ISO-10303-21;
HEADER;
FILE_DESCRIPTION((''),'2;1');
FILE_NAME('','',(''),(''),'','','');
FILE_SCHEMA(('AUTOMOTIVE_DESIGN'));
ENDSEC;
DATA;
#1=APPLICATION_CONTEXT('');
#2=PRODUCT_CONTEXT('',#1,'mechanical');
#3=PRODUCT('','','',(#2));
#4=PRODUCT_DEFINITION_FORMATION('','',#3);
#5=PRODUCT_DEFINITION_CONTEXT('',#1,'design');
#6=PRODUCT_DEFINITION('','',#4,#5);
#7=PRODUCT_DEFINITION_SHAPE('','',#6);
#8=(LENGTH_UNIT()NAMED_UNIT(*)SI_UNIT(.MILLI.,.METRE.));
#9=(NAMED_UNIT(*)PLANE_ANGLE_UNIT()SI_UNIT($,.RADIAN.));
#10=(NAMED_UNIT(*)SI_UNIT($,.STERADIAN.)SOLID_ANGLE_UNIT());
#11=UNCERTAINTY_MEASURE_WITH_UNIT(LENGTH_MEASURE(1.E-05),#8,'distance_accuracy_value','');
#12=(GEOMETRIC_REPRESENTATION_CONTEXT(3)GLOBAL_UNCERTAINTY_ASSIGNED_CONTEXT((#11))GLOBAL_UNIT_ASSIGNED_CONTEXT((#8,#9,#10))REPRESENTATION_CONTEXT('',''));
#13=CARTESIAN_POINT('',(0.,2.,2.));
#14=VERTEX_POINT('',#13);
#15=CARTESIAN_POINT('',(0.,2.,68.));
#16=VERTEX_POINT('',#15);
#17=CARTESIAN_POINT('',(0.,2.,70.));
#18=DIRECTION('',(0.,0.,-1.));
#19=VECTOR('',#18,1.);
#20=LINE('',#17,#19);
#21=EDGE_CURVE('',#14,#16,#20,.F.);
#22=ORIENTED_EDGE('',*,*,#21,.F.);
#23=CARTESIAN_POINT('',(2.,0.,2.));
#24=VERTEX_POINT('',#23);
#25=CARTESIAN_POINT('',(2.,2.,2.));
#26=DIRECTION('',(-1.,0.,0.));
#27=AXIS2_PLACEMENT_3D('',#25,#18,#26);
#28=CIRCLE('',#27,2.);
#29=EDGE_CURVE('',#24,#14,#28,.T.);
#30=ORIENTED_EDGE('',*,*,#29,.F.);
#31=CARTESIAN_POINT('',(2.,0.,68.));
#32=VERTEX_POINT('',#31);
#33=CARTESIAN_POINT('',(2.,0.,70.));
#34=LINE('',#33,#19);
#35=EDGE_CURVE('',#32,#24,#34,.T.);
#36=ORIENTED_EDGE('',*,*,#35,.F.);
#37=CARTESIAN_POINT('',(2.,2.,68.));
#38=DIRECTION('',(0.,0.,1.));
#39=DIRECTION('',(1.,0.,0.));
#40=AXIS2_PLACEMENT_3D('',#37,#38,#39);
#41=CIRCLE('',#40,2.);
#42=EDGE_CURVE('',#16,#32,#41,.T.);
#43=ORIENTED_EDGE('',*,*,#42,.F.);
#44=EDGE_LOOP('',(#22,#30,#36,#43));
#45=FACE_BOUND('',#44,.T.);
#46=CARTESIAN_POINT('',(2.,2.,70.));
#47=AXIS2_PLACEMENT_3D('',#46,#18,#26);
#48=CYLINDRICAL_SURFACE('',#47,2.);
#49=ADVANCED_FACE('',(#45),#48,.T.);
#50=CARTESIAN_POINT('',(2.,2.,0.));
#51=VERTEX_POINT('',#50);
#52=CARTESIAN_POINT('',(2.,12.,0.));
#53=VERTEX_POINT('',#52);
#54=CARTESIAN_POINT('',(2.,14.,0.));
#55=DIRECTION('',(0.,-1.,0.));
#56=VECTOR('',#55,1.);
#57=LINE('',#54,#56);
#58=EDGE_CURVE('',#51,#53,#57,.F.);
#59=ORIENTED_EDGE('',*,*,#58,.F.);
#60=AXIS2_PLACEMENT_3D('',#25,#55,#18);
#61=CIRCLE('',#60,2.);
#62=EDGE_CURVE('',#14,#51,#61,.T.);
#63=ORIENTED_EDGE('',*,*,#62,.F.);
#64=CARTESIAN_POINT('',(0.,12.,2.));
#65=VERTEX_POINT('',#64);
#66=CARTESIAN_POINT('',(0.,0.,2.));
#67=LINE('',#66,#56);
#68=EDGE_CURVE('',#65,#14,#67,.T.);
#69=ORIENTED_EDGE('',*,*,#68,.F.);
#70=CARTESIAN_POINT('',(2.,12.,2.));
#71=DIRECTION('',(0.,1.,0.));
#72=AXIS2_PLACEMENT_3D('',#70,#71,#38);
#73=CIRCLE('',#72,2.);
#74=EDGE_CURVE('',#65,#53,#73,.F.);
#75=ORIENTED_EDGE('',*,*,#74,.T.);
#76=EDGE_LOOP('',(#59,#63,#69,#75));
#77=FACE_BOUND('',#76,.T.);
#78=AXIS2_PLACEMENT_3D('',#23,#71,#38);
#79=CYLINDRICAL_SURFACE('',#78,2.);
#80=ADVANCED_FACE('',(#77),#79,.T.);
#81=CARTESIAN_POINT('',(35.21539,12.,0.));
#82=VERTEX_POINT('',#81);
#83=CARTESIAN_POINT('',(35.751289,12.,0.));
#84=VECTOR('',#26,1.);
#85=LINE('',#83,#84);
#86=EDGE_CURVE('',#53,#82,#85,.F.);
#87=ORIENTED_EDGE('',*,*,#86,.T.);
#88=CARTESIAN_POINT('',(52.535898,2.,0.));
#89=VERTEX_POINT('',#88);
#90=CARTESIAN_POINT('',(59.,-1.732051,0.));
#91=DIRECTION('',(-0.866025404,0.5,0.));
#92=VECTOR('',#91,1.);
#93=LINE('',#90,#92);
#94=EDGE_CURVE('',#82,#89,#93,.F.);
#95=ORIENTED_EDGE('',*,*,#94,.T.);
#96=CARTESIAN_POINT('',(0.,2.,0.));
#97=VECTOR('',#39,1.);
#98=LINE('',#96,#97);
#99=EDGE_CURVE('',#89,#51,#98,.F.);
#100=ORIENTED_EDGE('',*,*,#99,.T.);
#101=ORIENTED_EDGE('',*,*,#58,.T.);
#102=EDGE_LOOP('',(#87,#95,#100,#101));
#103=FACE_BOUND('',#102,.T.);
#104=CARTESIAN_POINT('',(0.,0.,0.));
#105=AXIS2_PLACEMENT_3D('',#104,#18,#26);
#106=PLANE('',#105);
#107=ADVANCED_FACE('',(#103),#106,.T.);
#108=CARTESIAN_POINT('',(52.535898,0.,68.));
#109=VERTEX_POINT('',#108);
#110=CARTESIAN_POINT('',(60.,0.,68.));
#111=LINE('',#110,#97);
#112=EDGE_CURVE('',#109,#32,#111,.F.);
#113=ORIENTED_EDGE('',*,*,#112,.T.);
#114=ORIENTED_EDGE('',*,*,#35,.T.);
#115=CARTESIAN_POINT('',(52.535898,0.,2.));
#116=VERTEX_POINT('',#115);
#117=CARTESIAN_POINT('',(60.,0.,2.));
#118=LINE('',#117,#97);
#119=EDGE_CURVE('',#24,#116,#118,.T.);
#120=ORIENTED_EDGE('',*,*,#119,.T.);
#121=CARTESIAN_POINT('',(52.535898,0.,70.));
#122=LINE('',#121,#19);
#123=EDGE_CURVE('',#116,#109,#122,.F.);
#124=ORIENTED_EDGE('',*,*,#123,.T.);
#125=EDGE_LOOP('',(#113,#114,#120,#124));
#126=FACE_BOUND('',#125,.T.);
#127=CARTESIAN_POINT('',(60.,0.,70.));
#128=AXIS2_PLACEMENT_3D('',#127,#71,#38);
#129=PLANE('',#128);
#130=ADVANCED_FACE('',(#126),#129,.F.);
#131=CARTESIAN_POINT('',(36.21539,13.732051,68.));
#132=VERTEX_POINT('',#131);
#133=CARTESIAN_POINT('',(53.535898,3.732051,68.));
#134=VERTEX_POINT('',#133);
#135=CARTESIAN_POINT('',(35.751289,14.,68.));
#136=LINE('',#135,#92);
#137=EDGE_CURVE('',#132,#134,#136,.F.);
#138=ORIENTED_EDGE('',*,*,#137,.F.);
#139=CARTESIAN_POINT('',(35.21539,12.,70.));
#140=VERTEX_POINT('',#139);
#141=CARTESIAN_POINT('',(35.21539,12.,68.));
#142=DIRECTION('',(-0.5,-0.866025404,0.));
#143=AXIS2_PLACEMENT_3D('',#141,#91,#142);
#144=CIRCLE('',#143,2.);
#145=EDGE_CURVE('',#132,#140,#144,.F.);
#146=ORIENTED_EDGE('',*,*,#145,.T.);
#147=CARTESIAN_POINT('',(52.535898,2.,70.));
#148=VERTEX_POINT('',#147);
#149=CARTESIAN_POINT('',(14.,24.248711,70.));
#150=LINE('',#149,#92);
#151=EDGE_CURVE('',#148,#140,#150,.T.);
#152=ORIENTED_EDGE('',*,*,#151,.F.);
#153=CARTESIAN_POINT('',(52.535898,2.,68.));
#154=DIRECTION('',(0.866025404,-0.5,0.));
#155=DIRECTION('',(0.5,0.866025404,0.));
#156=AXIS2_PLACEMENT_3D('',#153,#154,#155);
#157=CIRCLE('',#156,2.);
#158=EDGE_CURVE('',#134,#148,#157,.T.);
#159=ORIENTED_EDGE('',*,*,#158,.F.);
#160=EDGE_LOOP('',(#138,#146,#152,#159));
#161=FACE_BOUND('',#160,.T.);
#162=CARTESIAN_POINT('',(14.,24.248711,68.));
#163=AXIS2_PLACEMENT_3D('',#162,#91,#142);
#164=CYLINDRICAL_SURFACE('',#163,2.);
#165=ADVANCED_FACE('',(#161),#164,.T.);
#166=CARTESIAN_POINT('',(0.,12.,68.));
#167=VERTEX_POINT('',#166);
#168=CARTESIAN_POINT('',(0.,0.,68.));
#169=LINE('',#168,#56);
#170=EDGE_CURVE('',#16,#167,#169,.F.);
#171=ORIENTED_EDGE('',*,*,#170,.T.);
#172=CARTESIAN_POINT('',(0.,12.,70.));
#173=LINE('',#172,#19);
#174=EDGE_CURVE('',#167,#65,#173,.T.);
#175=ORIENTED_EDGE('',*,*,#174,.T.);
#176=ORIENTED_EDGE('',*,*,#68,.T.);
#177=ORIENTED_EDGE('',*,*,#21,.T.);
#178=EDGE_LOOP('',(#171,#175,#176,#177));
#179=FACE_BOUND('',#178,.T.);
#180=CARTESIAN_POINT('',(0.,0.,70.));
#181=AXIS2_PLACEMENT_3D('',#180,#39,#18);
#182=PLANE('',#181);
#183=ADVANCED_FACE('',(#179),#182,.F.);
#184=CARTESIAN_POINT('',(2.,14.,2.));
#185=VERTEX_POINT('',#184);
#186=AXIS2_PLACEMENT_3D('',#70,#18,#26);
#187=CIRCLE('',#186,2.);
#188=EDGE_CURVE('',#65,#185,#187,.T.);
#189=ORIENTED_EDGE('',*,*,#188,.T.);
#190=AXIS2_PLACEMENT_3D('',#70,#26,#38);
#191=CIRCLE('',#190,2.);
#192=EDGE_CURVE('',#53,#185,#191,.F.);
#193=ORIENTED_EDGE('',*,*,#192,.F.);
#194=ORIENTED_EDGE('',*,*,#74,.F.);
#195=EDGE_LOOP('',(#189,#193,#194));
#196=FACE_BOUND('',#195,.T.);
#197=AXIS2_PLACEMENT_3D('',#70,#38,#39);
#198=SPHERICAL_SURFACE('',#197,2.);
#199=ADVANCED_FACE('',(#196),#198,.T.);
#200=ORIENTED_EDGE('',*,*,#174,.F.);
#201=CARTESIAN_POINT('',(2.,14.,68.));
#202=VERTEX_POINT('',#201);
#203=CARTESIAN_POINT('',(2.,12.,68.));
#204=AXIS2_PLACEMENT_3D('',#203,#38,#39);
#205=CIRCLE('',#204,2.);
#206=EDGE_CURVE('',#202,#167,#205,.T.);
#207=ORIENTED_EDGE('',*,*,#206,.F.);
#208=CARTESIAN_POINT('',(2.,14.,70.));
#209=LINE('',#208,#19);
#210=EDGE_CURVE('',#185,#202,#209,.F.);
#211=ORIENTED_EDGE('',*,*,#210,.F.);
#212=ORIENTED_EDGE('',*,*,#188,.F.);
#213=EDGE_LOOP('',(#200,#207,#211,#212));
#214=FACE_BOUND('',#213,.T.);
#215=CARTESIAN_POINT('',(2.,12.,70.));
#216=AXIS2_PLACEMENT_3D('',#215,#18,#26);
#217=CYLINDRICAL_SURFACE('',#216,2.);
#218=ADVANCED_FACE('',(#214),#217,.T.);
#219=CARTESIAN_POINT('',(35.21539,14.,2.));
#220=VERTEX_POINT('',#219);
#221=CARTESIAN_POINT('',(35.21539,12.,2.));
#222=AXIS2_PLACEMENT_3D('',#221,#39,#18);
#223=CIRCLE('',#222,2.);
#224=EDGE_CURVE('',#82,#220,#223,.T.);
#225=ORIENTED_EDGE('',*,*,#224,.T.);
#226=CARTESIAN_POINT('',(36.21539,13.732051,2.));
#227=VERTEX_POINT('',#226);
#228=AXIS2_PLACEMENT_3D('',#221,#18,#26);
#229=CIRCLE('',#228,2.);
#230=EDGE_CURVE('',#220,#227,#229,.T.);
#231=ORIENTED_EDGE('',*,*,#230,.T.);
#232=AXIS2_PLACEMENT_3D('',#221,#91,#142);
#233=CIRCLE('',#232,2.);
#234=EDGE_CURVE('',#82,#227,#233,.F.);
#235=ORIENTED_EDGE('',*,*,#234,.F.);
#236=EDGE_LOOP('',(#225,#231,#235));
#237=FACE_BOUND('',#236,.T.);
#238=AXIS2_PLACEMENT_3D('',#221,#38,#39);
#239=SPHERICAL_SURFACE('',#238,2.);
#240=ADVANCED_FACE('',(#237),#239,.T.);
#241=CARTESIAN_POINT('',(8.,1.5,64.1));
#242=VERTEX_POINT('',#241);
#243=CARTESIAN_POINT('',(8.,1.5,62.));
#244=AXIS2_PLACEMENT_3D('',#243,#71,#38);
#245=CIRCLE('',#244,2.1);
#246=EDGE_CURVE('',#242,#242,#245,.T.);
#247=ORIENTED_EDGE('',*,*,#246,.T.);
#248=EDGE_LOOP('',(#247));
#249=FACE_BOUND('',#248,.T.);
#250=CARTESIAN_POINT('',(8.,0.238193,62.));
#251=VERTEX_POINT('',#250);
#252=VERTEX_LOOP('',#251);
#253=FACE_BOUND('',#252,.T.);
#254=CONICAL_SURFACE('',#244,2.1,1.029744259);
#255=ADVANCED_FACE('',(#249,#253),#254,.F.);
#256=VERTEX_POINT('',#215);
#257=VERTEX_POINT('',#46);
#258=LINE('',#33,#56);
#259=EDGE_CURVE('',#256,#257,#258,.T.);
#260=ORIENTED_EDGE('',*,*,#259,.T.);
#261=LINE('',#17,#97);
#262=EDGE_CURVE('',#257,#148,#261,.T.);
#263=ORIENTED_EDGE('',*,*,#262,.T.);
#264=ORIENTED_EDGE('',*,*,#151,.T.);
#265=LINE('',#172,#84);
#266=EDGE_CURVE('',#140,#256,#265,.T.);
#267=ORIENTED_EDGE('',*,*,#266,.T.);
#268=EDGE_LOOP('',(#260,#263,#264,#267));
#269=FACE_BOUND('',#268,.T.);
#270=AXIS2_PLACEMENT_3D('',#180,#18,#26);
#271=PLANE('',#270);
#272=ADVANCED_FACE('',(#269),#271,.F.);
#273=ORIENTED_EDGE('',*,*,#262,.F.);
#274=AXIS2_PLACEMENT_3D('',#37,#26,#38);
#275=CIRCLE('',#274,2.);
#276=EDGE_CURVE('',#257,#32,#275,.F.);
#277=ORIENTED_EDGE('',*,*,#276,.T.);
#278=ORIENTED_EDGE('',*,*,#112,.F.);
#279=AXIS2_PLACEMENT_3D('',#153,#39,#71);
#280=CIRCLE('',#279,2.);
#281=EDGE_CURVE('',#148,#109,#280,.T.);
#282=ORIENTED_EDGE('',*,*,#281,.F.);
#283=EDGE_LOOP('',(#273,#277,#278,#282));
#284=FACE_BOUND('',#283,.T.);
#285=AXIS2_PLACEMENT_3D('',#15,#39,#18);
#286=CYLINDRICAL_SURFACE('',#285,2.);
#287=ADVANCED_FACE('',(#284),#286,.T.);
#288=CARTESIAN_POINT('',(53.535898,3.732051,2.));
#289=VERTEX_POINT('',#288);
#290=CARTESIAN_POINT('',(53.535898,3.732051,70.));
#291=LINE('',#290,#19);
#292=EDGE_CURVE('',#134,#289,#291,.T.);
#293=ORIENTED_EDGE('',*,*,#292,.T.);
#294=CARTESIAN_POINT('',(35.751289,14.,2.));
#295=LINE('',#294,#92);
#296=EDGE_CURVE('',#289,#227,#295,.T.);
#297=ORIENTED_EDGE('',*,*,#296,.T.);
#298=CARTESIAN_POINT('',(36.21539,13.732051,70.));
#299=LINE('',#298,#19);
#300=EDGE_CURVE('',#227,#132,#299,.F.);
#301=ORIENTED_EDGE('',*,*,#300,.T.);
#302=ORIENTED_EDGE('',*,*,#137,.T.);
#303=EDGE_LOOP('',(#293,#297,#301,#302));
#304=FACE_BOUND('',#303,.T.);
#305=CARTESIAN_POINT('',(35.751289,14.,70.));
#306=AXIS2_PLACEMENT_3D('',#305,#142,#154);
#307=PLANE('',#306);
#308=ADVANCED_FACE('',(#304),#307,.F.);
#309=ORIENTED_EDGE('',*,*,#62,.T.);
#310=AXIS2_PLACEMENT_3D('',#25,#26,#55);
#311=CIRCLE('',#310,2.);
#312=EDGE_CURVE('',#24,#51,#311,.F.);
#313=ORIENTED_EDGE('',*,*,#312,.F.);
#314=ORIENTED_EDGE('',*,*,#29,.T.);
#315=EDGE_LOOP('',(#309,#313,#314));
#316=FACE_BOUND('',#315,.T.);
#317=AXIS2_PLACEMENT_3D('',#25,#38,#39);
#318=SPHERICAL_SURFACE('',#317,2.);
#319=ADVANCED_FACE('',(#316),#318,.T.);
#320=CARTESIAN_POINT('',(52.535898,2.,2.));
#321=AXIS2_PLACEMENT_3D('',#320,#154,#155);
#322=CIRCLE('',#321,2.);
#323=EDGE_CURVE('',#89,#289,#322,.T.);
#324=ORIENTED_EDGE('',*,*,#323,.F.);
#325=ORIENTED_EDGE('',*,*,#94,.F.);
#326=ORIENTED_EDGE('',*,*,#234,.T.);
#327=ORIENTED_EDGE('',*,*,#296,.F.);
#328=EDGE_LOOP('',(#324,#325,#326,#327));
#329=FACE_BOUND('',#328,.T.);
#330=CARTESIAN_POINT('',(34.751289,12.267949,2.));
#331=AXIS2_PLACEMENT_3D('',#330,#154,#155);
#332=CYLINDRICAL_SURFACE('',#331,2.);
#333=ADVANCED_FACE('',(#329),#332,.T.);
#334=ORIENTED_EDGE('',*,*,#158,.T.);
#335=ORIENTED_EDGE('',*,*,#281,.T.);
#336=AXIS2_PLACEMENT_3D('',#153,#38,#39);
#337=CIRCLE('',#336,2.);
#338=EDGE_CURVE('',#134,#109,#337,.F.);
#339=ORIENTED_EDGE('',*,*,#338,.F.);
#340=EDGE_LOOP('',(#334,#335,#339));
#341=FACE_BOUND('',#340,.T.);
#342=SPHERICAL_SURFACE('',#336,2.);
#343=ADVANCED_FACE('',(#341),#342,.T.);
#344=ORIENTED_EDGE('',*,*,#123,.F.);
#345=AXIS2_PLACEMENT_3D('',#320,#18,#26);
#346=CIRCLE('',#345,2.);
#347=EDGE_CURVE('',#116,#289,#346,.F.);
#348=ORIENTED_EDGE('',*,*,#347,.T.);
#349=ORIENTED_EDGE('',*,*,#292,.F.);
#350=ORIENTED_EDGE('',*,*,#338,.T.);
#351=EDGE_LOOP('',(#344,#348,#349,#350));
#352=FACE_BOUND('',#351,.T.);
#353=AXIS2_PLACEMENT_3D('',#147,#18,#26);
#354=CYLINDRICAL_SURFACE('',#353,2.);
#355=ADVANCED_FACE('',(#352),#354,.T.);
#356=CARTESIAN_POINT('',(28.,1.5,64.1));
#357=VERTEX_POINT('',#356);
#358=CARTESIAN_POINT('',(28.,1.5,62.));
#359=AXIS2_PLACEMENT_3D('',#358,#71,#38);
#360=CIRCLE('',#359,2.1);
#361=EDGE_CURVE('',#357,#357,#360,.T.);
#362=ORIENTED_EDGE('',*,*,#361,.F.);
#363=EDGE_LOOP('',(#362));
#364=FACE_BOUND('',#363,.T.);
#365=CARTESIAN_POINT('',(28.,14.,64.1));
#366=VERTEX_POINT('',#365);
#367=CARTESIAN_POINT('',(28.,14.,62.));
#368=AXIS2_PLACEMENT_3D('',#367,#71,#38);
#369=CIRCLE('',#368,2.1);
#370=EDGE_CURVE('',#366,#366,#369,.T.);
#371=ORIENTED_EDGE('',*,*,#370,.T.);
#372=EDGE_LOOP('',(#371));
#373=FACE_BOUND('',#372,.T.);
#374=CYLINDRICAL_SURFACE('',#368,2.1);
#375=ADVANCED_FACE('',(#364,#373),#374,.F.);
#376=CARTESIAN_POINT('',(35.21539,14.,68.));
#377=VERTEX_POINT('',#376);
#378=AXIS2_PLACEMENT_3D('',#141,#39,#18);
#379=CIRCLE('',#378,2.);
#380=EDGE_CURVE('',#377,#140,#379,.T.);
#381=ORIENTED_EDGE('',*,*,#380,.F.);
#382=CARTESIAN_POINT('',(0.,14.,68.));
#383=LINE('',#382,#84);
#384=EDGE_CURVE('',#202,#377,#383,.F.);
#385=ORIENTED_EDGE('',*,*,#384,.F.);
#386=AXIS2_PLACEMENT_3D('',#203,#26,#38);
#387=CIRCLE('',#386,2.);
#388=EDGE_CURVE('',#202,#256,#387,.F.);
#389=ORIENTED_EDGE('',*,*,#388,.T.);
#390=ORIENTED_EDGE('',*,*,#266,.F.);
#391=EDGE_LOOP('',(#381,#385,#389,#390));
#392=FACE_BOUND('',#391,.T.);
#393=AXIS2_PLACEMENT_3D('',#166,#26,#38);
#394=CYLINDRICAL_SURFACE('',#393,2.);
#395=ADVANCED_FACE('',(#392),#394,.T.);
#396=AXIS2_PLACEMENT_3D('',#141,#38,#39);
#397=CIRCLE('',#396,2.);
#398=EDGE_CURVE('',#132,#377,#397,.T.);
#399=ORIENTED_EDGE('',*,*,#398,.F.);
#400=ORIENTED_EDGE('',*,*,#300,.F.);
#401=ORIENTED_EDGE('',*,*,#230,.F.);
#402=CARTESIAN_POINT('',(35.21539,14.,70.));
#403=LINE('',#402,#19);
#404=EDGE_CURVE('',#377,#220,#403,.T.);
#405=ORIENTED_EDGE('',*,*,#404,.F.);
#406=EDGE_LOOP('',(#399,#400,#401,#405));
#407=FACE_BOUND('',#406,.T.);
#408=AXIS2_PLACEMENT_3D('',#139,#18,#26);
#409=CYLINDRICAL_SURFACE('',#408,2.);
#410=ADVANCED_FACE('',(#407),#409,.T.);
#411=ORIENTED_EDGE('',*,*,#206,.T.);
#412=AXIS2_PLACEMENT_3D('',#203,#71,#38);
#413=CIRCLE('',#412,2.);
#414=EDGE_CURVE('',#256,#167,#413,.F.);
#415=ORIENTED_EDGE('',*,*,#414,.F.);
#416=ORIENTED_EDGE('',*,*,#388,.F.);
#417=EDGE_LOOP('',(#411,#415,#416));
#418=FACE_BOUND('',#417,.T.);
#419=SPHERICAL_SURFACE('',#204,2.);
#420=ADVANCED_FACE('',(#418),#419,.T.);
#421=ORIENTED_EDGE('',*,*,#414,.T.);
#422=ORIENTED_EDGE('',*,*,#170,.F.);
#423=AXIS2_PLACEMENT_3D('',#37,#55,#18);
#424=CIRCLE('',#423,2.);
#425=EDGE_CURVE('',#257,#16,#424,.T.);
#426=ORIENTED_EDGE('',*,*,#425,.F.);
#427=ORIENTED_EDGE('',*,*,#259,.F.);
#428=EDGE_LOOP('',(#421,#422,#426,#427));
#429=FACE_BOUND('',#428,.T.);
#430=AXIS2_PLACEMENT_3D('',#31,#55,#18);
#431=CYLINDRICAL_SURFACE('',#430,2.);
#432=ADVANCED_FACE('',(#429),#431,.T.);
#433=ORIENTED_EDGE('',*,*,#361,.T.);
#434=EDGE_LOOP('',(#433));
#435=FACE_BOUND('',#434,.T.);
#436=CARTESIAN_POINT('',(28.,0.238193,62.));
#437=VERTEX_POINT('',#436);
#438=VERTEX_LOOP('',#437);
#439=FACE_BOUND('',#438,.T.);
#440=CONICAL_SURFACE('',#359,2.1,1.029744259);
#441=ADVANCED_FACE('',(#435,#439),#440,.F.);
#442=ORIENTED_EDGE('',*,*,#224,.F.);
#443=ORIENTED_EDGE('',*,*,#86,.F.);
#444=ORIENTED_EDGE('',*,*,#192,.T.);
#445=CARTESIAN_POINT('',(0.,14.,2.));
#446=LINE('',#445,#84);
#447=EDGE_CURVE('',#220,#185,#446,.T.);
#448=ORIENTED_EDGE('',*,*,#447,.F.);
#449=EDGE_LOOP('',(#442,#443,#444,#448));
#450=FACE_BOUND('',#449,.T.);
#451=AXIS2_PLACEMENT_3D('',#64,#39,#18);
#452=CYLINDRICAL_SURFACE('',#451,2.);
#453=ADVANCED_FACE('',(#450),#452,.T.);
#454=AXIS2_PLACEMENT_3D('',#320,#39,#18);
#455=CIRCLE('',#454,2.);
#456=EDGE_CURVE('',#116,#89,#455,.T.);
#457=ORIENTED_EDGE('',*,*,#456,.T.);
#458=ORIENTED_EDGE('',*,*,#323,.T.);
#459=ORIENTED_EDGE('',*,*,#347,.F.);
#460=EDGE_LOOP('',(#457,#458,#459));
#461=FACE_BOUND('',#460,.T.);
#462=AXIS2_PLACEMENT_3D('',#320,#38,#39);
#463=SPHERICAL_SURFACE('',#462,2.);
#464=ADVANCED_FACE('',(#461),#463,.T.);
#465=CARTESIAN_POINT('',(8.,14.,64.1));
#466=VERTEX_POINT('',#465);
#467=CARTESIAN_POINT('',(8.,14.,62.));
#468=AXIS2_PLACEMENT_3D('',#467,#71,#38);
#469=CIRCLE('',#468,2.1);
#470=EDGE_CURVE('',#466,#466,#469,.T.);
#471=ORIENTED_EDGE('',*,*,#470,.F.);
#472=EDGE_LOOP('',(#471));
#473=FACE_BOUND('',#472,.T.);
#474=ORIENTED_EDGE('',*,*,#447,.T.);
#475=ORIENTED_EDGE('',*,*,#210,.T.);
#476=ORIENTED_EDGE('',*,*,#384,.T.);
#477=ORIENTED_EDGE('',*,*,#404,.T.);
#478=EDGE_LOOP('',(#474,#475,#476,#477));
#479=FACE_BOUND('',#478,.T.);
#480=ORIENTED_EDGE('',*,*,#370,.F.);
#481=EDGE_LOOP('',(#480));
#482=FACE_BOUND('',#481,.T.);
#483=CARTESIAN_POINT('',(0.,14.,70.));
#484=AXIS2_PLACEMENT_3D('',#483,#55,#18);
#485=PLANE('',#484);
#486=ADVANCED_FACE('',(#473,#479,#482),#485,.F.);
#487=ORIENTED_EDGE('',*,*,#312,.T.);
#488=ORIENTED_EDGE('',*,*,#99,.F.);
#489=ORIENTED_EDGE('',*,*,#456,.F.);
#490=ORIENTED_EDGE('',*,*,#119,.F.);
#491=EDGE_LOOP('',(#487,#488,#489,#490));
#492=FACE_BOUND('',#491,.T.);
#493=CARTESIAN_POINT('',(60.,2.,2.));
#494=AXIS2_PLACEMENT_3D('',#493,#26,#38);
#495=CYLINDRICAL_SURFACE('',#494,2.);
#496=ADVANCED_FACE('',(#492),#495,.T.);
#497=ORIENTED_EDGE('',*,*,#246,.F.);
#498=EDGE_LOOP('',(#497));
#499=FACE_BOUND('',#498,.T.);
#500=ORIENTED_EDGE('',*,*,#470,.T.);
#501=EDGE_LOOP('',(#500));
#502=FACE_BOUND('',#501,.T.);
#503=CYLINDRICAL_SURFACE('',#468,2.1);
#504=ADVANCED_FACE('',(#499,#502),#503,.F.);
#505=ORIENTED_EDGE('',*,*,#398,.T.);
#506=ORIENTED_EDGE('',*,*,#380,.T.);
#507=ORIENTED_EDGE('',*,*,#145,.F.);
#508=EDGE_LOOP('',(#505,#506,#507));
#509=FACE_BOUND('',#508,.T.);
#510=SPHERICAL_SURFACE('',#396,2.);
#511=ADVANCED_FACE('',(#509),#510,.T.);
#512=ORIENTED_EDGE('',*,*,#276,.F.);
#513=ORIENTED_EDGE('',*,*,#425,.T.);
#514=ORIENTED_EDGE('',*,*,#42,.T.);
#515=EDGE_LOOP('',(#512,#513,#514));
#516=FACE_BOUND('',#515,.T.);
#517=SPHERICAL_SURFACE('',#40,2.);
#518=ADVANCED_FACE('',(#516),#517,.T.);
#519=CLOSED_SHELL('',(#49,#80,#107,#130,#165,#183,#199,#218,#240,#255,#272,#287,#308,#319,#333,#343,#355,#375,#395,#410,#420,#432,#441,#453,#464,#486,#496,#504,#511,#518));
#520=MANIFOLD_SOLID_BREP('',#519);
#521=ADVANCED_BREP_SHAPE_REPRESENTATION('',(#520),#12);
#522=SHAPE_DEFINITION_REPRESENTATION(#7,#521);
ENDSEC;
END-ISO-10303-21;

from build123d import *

# Parameters (mm, degrees)
BOSS_EXTRUDE1_DEPTH   = 70
FILLET1_R             = 2
M5_TAPPED_HOLE1_D     = 4.2
M5_TAPPED_HOLE1_DEPTH = 12.5
M5_TAPPED_HOLE1_TIP   = 1.2618073


with BuildPart() as part:
    # Sketch1 → Boss-Extrude1 (new body)
    with BuildSketch(Plane.XY):
        Polygon((0, 0), (0, 14), (35.751288694, 14), (60, 0), align=None)
    extrude(amount=BOSS_EXTRUDE1_DEPTH)

    # Fillet1
    fillet1_edges = [part.edges().sort_by_distance(p)[0] for p in [
        (17.875644347, 14, 70),
        (0, 7, 70),
        (30, 0, 70),
        (0, 7, 0),
        (17.875644347, 14, 0),
        (47.875644347, 7, 0),
        (30, 0, 0),
        (0, 0, 35),
        (0, 14, 35),
        (35.751288694, 14, 35),
        (60, 0, 35),
        (47.875644347, 7, 70),
    ]]
    fillet(fillet1_edges, radius=FILLET1_R)

    # M5 Tapped Hole1
    with Locations(Plane(origin=(0, 14, 0), x_dir=(1, 0, 0), z_dir=(0, 1, 0))):
        with Locations((8, -62), (28, -62)):
            Hole(M5_TAPPED_HOLE1_D / 2, depth=M5_TAPPED_HOLE1_DEPTH)
            with Locations((0, 0, -(M5_TAPPED_HOLE1_DEPTH + M5_TAPPED_HOLE1_TIP / 2))):  # 118° drill point
                Cone(0, M5_TAPPED_HOLE1_D / 2, M5_TAPPED_HOLE1_TIP, mode=Mode.SUBTRACT)


solid = part.part
